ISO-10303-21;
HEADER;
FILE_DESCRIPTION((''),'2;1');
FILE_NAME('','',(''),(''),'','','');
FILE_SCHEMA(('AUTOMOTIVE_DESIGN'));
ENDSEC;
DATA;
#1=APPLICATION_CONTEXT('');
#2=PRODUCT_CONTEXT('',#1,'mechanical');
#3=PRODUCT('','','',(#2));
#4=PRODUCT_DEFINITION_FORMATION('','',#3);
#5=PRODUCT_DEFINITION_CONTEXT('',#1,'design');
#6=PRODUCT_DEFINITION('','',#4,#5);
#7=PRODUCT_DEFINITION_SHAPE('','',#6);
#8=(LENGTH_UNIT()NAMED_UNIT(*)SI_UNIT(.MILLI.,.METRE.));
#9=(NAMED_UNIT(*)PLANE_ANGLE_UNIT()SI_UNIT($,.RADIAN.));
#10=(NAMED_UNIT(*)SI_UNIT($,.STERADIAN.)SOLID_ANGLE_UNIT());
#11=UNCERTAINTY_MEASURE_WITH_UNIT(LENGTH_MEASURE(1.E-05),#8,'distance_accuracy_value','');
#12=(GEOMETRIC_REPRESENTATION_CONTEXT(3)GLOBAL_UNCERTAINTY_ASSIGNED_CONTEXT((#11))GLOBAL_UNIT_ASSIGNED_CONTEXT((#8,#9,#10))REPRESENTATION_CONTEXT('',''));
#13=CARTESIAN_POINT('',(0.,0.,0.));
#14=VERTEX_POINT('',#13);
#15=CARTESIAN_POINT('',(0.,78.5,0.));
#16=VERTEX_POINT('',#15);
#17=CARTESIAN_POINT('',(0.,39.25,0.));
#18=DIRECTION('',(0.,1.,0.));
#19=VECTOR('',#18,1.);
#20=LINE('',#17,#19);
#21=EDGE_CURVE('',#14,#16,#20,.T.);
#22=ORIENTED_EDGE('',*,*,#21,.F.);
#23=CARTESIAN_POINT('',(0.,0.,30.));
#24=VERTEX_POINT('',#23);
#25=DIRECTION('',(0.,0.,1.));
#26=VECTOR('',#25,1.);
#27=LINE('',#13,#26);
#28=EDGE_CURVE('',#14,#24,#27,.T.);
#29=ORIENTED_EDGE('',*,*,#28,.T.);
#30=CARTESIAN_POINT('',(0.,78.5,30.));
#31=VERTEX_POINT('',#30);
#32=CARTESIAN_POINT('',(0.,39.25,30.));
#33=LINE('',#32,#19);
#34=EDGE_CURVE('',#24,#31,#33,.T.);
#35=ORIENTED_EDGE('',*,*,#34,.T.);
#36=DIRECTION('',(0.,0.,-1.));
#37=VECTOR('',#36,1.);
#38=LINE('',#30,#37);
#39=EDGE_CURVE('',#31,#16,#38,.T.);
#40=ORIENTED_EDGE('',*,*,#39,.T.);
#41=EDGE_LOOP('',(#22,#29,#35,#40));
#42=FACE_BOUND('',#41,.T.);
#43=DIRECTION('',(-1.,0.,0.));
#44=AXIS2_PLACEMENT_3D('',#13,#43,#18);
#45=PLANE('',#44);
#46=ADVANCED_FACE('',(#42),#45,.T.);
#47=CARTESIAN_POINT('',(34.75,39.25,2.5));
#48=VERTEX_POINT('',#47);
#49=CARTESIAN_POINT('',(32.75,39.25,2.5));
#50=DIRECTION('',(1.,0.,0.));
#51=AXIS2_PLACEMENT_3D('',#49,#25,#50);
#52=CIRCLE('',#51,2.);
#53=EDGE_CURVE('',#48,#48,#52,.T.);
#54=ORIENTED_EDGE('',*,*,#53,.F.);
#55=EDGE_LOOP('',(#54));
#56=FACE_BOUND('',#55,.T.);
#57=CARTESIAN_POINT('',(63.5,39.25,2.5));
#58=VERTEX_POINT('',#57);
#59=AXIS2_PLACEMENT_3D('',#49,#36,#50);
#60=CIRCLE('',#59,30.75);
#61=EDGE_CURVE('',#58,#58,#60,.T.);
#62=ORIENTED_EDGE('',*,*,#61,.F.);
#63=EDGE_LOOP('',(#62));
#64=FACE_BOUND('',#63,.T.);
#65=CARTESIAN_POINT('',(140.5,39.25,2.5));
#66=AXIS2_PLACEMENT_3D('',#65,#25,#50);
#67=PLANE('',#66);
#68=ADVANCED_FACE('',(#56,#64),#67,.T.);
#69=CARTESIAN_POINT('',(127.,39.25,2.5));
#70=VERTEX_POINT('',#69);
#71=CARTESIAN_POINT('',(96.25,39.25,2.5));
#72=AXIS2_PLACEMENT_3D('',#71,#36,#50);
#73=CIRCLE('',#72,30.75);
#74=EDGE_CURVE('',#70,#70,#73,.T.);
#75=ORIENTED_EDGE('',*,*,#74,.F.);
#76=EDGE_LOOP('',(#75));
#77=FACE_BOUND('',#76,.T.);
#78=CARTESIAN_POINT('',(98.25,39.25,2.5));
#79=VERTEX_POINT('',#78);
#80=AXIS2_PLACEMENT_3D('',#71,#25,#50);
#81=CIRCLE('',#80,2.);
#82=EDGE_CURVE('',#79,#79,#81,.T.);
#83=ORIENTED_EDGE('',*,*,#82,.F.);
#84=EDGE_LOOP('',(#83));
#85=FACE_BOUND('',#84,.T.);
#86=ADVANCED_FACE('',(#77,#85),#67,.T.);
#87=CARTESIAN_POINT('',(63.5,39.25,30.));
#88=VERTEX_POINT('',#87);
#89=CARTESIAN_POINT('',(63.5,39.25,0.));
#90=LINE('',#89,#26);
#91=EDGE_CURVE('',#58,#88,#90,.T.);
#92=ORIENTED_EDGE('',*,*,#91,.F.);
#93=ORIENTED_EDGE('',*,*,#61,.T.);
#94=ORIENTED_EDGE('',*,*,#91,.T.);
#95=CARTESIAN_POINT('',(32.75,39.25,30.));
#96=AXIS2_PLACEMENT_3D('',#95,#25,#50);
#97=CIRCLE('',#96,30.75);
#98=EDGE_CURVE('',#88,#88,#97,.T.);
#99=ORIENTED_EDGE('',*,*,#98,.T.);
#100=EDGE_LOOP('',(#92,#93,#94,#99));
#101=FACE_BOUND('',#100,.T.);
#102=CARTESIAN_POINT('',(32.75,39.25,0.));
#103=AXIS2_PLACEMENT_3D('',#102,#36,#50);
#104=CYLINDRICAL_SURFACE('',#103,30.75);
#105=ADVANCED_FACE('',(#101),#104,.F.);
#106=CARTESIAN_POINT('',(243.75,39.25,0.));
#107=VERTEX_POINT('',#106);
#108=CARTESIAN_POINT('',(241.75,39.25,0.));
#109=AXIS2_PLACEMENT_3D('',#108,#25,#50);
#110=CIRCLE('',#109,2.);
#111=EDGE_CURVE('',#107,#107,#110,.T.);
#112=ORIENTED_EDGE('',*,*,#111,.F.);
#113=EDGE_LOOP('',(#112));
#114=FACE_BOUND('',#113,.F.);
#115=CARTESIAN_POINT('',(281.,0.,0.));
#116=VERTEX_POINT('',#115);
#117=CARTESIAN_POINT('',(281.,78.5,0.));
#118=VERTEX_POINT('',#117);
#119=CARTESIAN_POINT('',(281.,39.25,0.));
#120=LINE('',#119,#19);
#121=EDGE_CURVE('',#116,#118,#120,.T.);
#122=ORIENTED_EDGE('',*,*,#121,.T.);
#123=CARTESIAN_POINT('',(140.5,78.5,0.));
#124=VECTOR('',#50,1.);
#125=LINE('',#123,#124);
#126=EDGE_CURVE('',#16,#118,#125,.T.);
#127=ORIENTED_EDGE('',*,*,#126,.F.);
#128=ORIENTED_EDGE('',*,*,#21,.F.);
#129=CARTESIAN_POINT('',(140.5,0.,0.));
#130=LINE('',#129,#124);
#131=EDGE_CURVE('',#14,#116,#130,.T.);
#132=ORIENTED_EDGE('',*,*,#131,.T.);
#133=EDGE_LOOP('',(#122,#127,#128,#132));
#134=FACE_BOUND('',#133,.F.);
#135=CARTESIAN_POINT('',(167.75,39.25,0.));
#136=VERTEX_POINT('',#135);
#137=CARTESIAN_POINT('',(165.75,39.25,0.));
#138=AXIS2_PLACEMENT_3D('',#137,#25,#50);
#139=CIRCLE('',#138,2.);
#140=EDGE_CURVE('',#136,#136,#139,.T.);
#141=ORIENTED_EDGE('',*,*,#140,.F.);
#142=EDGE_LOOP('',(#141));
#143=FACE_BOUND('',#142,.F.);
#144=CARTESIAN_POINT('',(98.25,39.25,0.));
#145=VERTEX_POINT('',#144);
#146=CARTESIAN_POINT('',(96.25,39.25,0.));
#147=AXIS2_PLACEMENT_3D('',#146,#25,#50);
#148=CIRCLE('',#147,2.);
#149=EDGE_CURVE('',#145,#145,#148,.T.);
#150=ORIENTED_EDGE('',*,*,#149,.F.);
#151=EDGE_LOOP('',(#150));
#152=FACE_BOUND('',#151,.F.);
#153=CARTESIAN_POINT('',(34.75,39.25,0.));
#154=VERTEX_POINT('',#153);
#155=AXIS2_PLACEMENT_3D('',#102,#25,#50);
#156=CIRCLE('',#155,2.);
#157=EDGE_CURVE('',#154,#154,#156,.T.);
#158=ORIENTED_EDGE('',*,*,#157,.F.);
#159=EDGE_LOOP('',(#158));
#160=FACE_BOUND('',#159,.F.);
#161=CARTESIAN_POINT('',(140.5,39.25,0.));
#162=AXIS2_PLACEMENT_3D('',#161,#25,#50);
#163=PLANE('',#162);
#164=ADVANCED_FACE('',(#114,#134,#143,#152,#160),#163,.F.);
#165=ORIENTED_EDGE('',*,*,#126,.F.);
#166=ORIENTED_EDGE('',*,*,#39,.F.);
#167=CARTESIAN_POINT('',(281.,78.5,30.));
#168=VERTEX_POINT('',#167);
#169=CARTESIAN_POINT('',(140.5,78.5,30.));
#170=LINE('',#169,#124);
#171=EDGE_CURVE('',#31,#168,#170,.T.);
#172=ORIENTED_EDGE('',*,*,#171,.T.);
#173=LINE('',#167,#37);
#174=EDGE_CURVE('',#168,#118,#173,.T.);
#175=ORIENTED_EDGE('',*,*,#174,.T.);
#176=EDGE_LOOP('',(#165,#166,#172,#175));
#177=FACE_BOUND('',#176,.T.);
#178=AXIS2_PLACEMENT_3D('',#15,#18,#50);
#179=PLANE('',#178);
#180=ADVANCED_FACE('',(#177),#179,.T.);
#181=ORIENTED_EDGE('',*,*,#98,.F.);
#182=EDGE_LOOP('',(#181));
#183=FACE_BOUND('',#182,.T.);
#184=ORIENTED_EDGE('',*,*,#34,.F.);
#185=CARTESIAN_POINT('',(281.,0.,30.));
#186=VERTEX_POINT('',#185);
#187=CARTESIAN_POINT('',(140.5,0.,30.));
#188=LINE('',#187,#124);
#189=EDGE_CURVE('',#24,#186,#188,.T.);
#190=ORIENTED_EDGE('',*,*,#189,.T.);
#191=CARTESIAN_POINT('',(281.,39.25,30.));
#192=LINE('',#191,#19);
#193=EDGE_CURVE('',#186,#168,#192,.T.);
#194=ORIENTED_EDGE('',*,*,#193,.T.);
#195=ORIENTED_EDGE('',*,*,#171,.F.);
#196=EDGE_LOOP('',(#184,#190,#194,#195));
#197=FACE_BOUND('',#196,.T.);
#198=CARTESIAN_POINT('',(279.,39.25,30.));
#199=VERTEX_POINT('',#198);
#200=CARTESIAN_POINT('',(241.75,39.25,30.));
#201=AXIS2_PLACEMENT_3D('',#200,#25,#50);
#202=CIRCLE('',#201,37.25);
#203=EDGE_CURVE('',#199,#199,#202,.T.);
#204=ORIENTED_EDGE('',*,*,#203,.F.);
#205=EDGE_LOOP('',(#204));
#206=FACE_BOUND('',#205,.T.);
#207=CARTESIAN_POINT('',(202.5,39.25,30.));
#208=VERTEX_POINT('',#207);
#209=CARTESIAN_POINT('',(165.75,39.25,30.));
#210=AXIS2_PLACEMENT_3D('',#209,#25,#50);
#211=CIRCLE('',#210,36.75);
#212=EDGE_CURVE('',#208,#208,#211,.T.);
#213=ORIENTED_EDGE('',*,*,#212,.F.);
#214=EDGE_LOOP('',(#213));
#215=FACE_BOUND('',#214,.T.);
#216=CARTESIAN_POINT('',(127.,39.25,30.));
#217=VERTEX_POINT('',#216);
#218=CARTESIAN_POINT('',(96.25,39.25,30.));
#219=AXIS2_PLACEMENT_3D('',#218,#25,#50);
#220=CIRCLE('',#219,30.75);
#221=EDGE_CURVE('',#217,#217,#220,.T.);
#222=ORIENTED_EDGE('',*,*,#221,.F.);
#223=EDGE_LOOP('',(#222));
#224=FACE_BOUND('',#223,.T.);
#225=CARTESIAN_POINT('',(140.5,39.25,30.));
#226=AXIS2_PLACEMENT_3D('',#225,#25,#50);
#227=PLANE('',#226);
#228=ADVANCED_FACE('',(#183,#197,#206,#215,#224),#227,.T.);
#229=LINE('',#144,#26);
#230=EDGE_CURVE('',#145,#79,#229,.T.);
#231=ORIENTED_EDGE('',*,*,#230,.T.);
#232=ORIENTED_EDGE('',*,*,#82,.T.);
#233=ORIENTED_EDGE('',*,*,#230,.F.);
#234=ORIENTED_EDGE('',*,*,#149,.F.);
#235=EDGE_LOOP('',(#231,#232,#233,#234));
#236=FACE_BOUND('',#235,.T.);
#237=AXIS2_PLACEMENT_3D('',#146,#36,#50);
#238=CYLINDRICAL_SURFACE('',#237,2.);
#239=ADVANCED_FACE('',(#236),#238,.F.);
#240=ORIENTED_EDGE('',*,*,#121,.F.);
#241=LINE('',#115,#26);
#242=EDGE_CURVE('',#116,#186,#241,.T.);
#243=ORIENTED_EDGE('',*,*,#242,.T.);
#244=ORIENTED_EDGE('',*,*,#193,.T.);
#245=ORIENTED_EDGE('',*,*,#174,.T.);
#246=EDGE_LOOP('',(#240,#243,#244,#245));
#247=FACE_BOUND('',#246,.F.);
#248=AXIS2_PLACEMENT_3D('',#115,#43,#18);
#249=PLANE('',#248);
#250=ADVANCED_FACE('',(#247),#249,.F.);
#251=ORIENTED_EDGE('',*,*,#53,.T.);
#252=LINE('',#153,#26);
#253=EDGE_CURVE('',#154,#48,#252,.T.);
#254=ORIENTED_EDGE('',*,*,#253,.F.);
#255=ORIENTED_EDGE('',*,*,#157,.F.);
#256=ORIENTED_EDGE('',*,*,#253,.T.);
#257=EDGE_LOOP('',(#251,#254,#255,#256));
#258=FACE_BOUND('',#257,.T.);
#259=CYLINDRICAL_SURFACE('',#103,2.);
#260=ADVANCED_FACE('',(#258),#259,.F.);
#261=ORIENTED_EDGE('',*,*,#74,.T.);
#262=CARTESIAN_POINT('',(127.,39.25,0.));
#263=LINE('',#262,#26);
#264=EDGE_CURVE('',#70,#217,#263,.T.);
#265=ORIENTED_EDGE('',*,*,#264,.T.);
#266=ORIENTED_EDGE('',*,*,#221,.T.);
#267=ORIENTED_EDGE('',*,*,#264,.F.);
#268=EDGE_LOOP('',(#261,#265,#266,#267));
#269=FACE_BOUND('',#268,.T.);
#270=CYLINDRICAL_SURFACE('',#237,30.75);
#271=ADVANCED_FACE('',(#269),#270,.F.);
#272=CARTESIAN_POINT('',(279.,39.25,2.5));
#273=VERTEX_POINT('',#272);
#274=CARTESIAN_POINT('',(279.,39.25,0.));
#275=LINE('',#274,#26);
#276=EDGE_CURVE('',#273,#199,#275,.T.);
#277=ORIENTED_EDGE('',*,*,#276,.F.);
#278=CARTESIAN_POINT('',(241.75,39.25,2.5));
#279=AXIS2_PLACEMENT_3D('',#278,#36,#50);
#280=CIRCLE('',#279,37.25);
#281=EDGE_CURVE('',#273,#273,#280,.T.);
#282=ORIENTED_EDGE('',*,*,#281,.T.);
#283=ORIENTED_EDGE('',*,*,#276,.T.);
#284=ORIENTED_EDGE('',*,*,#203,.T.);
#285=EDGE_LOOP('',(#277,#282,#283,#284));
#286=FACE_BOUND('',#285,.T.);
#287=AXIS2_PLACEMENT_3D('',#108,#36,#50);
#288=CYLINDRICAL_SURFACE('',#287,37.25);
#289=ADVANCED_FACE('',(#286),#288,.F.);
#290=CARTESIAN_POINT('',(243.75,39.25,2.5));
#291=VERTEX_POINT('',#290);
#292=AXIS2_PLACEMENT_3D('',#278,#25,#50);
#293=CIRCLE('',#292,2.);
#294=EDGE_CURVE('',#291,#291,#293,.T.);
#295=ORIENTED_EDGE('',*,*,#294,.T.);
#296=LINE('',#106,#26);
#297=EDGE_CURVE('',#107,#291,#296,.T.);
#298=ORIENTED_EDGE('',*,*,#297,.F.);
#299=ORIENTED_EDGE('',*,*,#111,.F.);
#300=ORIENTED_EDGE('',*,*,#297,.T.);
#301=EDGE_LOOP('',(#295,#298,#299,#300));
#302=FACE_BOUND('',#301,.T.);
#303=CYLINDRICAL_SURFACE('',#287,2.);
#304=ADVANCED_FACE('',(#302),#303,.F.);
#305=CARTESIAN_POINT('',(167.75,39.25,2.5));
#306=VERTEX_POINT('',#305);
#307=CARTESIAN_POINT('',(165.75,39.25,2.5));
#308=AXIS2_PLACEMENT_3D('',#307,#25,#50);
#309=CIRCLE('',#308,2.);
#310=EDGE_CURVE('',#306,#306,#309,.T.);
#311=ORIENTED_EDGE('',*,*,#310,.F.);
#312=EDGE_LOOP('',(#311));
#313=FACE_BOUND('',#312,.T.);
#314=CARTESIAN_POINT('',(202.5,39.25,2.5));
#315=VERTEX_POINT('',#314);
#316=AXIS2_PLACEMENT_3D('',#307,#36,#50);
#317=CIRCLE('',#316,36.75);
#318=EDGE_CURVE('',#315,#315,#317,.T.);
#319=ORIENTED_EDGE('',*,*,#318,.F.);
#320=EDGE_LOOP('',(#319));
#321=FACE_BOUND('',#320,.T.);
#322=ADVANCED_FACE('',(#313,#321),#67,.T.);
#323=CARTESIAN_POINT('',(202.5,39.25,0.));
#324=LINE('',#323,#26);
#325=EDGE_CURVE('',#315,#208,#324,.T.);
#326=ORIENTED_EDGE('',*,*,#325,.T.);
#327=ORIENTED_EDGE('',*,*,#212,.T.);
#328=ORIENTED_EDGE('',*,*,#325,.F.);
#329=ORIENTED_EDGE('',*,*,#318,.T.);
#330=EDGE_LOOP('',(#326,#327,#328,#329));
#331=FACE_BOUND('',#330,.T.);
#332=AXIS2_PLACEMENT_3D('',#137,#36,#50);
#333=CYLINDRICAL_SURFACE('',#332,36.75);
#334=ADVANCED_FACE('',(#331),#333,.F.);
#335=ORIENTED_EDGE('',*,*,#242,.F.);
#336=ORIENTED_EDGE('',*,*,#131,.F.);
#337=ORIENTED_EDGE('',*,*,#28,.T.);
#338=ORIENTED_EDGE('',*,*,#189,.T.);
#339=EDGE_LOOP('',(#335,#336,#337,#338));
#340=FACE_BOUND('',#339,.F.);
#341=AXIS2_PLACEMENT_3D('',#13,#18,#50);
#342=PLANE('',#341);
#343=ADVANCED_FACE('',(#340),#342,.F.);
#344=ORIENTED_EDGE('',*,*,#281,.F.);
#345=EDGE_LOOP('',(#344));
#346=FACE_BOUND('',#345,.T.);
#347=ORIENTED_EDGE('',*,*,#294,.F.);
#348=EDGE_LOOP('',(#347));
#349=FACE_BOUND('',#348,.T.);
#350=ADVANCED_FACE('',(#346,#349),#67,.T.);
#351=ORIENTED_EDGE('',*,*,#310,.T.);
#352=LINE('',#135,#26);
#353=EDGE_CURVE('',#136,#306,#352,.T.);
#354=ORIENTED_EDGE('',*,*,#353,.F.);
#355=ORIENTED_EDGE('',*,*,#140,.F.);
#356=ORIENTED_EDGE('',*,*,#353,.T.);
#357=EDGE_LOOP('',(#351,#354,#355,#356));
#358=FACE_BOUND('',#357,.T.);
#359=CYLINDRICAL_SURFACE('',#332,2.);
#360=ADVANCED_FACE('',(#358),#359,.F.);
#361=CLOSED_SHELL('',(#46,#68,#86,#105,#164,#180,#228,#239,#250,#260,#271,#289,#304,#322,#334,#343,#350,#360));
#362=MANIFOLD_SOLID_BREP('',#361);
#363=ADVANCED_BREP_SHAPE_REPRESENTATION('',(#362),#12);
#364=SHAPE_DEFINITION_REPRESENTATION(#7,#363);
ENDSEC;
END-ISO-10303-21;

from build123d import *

# Parameters (mm, degrees)
F0_W     = 281
F0_H     = 78.5
F0_R     = 30.75
F0_R_2   = 36.75
F0_R_3   = 37.25
F0_R_4   = 2
F1_DEPTH = 2.5
F2_DEPTH = 30


with BuildPart() as f1:
    # F0 (on Top) → F1 (new body)
    with BuildSketch(Plane.XY):
        with Locations((140.5, 39.25)):
            Rectangle(F0_W, F0_H)
        with Locations((32.75, 39.25)):
            Circle(F0_R, mode=Mode.SUBTRACT)
        with Locations((96.25, 39.25)):
            Circle(F0_R, mode=Mode.SUBTRACT)
        with Locations((165.75, 39.25)):
            Circle(F0_R_2, mode=Mode.SUBTRACT)
        with Locations((241.75, 39.25)):
            Circle(F0_R_3, mode=Mode.SUBTRACT)
        with Locations((32.75, 39.25)):
            Circle(F0_R)
        with Locations((32.75, 39.25)):
            Circle(F0_R_4, mode=Mode.SUBTRACT)
        with Locations((96.25, 39.25)):
            Circle(F0_R)
        with Locations((96.25, 39.25)):
            Circle(F0_R_4, mode=Mode.SUBTRACT)
        with Locations((165.75, 39.25)):
            Circle(F0_R_2)
        with Locations((165.75, 39.25)):
            Circle(F0_R_4, mode=Mode.SUBTRACT)
        with Locations((241.75, 39.25)):
            Circle(F0_R_3)
        with Locations((241.75, 39.25)):
            Circle(F0_R_4, mode=Mode.SUBTRACT)
    extrude(amount=F1_DEPTH)

    # F0 (on Top) → F2 (join)
    with BuildSketch(Plane.XY):
        with Locations((140.5, 39.25)):
            Rectangle(F0_W, F0_H)
        with Locations((32.75, 39.25)):
            Circle(F0_R, mode=Mode.SUBTRACT)
        with Locations((96.25, 39.25)):
            Circle(F0_R, mode=Mode.SUBTRACT)
        with Locations((165.75, 39.25)):
            Circle(F0_R_2, mode=Mode.SUBTRACT)
        with Locations((241.75, 39.25)):
            Circle(F0_R_3, mode=Mode.SUBTRACT)
    extrude(amount=F2_DEPTH)


solid = f1.part
